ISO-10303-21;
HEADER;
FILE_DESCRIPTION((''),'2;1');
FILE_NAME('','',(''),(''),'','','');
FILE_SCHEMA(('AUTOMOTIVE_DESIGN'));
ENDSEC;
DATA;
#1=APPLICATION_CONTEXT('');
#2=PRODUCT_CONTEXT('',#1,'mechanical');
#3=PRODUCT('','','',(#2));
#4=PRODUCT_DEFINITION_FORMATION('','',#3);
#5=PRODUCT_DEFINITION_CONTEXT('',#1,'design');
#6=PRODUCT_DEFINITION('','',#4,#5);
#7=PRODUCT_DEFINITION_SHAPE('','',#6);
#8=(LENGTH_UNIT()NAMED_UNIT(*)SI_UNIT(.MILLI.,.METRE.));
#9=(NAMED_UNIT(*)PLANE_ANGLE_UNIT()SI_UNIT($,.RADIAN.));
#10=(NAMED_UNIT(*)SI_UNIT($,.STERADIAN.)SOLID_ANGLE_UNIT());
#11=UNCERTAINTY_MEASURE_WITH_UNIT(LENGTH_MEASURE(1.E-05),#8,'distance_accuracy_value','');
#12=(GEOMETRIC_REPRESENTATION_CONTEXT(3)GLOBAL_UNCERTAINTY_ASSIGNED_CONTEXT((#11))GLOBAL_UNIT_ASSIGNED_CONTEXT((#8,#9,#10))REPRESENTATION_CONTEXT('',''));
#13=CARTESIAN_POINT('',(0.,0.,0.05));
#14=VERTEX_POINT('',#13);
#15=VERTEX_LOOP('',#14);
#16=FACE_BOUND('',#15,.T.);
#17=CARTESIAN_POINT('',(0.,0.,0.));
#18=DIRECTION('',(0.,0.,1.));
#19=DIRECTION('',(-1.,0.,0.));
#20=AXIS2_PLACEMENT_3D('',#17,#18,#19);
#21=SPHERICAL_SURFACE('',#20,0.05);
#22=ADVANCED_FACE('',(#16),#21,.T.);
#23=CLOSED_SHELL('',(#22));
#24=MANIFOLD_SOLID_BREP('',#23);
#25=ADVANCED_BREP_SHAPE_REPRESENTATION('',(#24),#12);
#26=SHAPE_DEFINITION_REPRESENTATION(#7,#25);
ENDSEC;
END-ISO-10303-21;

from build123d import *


with BuildPart() as part:
    # Sketch1 → Revolve1 (revolve)
    with BuildSketch(Plane(origin=(0, 0, 0), x_dir=(1, 0, 0), z_dir=(0, 1, 0))):
        with BuildLine():
            Line((0, -0.05), (0, 0.05))
            ThreePointArc((0, 0.05), (0.05, 0), (0, -0.05))
        make_face()
    revolve(axis=Axis((0, 0, 0.05), (0, 0, -1)))


solid = part.part
